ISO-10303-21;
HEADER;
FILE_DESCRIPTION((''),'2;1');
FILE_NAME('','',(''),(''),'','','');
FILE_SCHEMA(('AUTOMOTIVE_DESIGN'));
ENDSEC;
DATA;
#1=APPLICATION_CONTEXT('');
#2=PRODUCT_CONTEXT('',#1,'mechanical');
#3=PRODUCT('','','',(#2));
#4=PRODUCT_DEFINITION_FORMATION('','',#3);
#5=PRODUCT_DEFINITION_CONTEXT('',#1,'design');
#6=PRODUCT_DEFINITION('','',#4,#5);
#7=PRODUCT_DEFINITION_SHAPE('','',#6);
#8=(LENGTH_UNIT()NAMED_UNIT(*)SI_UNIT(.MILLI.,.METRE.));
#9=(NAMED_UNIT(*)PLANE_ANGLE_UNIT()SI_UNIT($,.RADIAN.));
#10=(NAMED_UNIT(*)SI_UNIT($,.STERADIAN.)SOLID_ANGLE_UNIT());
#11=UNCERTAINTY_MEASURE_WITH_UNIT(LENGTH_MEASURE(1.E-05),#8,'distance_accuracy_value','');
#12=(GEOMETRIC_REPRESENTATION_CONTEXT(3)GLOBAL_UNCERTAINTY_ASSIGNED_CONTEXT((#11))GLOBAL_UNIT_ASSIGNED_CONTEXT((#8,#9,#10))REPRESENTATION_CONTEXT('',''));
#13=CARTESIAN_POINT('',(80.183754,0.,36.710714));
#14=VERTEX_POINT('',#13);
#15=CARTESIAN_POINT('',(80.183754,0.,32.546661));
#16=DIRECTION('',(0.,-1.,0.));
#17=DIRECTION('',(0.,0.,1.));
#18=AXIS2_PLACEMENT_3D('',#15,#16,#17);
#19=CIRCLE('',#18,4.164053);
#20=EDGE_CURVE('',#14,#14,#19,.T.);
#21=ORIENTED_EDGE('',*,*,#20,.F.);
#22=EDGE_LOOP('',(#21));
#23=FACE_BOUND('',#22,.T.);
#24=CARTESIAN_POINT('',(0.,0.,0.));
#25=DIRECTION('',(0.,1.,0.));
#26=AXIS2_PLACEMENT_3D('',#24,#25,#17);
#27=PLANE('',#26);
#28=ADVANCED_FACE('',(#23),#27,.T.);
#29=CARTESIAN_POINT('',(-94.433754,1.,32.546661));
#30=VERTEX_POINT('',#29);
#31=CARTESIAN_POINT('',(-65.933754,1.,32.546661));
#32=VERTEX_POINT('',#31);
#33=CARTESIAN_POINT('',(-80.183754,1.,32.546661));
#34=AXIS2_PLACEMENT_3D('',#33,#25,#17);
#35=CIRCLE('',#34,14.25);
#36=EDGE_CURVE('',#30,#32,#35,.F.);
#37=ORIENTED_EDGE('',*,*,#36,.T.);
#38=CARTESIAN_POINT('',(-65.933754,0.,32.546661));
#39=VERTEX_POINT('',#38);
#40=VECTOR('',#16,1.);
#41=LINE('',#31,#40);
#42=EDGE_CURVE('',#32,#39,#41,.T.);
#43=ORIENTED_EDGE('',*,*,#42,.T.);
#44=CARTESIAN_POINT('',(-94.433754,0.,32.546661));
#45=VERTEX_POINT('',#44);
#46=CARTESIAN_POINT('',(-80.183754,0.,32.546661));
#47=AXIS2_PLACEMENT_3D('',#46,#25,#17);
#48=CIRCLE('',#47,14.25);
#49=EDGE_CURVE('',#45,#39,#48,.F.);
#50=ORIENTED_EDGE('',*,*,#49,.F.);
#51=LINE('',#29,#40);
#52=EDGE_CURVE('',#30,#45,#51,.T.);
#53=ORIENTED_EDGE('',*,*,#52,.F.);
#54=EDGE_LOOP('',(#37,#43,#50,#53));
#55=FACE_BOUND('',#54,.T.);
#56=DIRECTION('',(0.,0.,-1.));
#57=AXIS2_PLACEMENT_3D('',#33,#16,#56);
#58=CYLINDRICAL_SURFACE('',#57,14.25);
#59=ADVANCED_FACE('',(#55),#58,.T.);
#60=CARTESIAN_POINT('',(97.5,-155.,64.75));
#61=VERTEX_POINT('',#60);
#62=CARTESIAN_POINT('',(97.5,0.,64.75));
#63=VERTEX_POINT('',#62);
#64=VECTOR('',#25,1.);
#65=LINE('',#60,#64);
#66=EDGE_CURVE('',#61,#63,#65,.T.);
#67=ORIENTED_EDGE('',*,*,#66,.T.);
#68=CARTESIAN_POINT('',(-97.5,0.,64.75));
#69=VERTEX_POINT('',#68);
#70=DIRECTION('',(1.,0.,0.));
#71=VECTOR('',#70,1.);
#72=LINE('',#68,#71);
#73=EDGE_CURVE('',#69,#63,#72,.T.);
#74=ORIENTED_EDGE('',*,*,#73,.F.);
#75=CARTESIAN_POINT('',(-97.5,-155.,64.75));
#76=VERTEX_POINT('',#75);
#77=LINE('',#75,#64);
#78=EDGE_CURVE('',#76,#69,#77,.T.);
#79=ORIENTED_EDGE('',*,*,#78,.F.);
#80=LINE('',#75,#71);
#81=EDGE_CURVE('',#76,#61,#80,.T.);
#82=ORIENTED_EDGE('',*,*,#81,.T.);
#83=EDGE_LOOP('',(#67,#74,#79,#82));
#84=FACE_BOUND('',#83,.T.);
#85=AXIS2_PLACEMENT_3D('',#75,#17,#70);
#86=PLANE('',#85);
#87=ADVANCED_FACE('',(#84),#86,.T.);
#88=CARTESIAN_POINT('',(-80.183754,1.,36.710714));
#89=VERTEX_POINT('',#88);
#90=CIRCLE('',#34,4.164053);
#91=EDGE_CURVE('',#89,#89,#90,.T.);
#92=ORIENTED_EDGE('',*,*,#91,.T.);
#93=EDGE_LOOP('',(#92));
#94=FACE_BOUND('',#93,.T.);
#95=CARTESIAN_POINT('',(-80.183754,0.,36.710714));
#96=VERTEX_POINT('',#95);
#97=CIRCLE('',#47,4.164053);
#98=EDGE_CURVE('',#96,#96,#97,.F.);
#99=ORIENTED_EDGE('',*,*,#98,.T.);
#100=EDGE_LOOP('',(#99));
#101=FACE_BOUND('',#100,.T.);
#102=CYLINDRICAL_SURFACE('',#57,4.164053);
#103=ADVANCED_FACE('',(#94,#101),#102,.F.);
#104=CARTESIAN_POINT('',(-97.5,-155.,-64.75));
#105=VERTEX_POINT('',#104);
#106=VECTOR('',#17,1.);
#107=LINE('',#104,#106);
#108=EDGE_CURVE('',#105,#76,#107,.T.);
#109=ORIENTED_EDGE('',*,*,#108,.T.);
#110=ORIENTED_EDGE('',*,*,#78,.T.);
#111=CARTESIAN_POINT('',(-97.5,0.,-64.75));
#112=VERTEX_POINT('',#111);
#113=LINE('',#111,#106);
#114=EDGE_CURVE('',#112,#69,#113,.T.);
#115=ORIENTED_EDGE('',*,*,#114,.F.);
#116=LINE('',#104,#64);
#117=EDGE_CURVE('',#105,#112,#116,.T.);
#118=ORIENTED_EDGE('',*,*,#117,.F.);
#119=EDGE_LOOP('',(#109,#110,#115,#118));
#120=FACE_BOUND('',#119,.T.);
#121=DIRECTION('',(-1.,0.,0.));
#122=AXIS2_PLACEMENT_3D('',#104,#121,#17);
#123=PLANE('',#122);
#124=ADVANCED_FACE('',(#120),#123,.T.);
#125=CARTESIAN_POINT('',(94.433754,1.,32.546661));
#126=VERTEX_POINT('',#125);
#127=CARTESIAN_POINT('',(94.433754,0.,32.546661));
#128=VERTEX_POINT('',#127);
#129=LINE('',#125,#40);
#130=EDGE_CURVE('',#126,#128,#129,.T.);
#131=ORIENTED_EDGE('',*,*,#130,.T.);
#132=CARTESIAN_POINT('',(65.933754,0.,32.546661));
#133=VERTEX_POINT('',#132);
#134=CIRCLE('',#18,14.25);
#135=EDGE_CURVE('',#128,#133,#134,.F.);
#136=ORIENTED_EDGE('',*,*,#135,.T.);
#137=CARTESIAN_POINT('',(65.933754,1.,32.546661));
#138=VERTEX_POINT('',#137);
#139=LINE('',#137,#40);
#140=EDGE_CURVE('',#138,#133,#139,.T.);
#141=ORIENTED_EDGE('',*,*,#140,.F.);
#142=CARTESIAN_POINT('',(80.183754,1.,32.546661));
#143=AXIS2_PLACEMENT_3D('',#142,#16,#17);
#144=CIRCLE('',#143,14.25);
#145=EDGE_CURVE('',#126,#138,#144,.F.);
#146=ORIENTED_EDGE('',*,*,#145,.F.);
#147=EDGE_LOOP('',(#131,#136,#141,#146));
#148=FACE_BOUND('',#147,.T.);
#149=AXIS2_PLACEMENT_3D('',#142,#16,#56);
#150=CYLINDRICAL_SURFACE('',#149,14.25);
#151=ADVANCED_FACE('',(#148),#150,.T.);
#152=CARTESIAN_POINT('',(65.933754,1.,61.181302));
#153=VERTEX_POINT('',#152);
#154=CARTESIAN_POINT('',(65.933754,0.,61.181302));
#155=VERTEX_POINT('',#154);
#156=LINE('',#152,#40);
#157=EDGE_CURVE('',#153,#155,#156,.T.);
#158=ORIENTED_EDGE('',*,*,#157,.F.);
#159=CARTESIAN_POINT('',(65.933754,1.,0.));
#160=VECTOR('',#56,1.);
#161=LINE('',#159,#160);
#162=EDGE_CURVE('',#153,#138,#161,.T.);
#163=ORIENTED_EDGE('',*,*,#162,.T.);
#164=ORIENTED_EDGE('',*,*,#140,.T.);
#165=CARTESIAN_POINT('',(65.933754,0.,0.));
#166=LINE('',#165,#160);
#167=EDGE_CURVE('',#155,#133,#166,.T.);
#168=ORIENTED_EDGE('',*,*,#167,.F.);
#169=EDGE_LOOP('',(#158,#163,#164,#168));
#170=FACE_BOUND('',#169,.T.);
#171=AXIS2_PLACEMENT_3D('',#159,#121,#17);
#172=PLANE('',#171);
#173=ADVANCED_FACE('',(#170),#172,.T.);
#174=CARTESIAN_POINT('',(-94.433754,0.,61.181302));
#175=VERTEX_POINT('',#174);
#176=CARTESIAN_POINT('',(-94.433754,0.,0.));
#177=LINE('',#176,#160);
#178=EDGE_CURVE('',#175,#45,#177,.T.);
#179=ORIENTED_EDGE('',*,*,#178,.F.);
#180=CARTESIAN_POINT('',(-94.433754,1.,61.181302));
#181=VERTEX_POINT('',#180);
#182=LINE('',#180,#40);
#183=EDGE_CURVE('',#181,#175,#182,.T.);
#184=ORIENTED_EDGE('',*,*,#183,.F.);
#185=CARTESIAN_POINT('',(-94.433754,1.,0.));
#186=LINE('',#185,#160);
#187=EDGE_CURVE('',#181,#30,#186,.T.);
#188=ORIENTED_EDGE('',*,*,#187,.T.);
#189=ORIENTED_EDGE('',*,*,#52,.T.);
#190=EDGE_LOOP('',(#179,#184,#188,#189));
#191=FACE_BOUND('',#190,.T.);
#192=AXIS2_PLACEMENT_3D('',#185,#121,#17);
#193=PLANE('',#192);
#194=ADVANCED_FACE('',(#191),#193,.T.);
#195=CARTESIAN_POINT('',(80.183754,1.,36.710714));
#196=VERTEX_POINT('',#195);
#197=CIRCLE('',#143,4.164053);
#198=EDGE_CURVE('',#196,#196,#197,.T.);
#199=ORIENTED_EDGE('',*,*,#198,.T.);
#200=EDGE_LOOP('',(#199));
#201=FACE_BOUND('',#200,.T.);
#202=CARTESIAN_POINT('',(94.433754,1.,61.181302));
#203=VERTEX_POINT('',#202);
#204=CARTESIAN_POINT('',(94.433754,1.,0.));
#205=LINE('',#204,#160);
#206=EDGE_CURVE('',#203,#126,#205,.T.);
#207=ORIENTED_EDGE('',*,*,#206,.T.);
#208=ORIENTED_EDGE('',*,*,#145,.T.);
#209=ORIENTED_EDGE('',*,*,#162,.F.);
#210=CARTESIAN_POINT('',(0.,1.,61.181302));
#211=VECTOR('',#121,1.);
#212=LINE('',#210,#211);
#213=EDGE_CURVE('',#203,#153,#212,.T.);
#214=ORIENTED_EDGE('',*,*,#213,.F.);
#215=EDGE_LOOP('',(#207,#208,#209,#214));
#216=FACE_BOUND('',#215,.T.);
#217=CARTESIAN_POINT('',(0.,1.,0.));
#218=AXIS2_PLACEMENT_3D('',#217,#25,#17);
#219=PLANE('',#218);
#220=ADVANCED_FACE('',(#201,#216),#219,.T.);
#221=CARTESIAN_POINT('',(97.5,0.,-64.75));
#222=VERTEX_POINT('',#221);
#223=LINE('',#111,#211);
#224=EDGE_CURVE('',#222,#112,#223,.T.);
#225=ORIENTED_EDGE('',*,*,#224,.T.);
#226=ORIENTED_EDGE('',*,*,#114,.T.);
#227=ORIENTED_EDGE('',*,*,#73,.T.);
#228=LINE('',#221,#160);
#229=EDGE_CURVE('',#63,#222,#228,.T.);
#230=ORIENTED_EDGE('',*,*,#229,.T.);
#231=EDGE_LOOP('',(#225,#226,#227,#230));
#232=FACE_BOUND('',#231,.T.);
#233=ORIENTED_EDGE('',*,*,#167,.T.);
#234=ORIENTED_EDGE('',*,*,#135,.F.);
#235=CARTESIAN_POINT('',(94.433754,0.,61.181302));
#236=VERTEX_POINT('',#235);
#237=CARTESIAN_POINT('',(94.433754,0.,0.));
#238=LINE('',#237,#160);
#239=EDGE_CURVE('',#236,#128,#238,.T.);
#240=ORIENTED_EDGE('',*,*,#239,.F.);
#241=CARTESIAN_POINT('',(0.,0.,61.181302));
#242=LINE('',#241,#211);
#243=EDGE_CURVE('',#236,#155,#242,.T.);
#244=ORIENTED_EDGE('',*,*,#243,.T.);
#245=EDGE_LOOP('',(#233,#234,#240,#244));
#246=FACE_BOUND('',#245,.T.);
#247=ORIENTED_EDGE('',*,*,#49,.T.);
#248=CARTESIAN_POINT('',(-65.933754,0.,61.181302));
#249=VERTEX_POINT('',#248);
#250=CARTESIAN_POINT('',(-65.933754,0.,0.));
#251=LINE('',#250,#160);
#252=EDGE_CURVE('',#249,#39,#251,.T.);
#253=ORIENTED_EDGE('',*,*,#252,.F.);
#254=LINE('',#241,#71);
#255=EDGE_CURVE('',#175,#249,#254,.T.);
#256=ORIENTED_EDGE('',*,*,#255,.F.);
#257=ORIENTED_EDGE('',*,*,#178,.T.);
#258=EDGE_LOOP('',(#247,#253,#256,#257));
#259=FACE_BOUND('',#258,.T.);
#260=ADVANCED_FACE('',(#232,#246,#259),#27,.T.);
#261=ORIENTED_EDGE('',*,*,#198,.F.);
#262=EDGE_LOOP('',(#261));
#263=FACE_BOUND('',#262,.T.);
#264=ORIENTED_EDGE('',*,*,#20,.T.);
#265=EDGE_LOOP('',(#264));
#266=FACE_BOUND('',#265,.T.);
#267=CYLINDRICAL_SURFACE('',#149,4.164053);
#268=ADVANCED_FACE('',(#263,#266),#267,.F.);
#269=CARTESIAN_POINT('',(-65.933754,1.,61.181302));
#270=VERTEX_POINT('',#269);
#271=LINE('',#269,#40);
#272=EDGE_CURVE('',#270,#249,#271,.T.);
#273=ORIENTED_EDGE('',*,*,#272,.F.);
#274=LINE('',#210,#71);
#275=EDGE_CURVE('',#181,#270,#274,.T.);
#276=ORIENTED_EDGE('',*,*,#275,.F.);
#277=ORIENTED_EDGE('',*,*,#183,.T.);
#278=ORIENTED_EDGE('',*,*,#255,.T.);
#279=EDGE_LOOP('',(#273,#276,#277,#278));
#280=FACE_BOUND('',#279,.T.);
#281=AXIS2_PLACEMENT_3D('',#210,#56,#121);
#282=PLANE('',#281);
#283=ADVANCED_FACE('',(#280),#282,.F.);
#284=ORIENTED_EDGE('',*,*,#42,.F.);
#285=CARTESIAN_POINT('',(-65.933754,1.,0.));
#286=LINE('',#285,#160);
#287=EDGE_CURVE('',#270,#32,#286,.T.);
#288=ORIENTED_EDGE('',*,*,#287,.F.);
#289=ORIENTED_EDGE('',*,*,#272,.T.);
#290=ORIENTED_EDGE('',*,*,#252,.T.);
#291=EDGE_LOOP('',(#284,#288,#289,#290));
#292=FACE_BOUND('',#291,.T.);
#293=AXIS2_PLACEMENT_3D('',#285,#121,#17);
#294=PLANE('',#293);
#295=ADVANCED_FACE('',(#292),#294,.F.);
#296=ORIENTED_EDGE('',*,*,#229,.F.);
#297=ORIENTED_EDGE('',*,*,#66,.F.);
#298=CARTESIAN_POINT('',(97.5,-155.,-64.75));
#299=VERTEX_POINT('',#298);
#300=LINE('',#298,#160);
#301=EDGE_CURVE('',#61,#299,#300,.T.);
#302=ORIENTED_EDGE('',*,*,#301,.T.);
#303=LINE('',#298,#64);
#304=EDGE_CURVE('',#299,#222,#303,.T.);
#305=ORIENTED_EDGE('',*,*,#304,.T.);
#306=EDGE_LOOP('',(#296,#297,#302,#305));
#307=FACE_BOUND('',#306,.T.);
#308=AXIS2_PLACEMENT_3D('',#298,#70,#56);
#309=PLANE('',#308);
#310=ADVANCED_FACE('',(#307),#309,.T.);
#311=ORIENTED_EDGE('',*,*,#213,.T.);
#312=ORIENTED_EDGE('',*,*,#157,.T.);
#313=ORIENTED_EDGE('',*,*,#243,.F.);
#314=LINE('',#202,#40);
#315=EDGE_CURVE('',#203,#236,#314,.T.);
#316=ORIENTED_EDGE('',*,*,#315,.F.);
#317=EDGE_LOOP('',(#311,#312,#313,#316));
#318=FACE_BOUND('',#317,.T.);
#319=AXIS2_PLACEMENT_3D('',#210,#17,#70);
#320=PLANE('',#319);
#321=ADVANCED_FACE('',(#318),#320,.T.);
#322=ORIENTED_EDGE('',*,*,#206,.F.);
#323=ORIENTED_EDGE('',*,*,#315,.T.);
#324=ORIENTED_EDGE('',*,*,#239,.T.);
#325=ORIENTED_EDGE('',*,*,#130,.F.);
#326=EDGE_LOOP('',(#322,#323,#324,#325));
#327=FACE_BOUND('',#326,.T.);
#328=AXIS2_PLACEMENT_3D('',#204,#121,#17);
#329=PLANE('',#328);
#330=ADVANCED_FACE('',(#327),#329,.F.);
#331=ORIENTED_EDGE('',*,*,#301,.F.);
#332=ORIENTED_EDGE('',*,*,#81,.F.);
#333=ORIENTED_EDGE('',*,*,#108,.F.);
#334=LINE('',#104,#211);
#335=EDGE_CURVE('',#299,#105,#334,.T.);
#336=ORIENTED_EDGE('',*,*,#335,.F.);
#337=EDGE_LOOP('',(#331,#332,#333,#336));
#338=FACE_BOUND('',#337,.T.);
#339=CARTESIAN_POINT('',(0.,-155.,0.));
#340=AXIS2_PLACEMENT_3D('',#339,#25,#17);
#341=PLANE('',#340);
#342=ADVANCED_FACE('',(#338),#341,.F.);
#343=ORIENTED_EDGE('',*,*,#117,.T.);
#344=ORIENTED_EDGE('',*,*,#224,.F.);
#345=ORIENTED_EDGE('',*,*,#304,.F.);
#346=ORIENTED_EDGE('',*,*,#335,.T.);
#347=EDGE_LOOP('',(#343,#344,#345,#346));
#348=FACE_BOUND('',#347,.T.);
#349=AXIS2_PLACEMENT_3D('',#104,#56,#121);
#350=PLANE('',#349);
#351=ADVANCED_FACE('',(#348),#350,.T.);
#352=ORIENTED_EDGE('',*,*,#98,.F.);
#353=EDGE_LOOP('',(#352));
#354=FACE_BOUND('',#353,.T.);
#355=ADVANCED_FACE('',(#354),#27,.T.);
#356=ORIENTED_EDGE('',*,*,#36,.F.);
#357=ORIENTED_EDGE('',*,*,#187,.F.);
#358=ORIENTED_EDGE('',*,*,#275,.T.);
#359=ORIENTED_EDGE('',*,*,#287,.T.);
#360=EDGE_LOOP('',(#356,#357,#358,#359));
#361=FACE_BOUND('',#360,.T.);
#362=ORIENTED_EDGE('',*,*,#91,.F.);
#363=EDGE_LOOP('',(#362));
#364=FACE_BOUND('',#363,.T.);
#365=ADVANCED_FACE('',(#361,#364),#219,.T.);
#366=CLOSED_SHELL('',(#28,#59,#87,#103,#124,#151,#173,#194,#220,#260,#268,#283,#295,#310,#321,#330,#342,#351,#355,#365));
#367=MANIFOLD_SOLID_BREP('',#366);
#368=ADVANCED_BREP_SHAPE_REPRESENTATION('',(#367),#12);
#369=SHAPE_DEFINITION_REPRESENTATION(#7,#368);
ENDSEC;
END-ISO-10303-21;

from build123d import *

# Parameters (mm, degrees)
SKETCH1_W           = 195
SKETCH1_H           = 129.5
BOSS_EXTRUDE1_DEPTH = 155
SKETCH2_R           = 4.164052638
BOSS_EXTRUDE2_DEPTH = 1


with BuildPart() as part:
    # Sketch1 → Boss-Extrude1 (new body)
    with BuildSketch(Plane(origin=(0, 0, 0), x_dir=(1, 0, 0), z_dir=(0, 1, 0))):
        Rectangle(SKETCH1_W, SKETCH1_H)
    extrude(amount=-BOSS_EXTRUDE1_DEPTH)

    # Sketch2 → Boss-Extrude2 (add)
    with BuildSketch(Plane(origin=(0, 0, 0), x_dir=(1, 0, 0), z_dir=(0, 1, 0))):
        with BuildLine():
            Line((-94.433753678, -61.181302267), (-65.933753678, -61.181302267))
            Line((-65.933753678, -61.181302267), (-65.933753678, -32.546661398))
            ThreePointArc((-65.933753678, -32.546661398), (-80.183753678, -18.296661398), (-94.433753678, -32.546661398))
            Line((-94.433753678, -32.546661398), (-94.433753678, -61.181302267))
        make_face()
        with Locations((-80.183753678, -32.546661398)):
            Circle(SKETCH2_R, mode=Mode.SUBTRACT)
    boss_extrude2 = extrude(amount=BOSS_EXTRUDE2_DEPTH)

    # Mirror1: Boss-Extrude2 across plane
    add(boss_extrude2.mirror(Plane(origin=(0, 0, 0), x_dir=(0, 0, 1), z_dir=(1, 0, 0))))


solid = part.part
